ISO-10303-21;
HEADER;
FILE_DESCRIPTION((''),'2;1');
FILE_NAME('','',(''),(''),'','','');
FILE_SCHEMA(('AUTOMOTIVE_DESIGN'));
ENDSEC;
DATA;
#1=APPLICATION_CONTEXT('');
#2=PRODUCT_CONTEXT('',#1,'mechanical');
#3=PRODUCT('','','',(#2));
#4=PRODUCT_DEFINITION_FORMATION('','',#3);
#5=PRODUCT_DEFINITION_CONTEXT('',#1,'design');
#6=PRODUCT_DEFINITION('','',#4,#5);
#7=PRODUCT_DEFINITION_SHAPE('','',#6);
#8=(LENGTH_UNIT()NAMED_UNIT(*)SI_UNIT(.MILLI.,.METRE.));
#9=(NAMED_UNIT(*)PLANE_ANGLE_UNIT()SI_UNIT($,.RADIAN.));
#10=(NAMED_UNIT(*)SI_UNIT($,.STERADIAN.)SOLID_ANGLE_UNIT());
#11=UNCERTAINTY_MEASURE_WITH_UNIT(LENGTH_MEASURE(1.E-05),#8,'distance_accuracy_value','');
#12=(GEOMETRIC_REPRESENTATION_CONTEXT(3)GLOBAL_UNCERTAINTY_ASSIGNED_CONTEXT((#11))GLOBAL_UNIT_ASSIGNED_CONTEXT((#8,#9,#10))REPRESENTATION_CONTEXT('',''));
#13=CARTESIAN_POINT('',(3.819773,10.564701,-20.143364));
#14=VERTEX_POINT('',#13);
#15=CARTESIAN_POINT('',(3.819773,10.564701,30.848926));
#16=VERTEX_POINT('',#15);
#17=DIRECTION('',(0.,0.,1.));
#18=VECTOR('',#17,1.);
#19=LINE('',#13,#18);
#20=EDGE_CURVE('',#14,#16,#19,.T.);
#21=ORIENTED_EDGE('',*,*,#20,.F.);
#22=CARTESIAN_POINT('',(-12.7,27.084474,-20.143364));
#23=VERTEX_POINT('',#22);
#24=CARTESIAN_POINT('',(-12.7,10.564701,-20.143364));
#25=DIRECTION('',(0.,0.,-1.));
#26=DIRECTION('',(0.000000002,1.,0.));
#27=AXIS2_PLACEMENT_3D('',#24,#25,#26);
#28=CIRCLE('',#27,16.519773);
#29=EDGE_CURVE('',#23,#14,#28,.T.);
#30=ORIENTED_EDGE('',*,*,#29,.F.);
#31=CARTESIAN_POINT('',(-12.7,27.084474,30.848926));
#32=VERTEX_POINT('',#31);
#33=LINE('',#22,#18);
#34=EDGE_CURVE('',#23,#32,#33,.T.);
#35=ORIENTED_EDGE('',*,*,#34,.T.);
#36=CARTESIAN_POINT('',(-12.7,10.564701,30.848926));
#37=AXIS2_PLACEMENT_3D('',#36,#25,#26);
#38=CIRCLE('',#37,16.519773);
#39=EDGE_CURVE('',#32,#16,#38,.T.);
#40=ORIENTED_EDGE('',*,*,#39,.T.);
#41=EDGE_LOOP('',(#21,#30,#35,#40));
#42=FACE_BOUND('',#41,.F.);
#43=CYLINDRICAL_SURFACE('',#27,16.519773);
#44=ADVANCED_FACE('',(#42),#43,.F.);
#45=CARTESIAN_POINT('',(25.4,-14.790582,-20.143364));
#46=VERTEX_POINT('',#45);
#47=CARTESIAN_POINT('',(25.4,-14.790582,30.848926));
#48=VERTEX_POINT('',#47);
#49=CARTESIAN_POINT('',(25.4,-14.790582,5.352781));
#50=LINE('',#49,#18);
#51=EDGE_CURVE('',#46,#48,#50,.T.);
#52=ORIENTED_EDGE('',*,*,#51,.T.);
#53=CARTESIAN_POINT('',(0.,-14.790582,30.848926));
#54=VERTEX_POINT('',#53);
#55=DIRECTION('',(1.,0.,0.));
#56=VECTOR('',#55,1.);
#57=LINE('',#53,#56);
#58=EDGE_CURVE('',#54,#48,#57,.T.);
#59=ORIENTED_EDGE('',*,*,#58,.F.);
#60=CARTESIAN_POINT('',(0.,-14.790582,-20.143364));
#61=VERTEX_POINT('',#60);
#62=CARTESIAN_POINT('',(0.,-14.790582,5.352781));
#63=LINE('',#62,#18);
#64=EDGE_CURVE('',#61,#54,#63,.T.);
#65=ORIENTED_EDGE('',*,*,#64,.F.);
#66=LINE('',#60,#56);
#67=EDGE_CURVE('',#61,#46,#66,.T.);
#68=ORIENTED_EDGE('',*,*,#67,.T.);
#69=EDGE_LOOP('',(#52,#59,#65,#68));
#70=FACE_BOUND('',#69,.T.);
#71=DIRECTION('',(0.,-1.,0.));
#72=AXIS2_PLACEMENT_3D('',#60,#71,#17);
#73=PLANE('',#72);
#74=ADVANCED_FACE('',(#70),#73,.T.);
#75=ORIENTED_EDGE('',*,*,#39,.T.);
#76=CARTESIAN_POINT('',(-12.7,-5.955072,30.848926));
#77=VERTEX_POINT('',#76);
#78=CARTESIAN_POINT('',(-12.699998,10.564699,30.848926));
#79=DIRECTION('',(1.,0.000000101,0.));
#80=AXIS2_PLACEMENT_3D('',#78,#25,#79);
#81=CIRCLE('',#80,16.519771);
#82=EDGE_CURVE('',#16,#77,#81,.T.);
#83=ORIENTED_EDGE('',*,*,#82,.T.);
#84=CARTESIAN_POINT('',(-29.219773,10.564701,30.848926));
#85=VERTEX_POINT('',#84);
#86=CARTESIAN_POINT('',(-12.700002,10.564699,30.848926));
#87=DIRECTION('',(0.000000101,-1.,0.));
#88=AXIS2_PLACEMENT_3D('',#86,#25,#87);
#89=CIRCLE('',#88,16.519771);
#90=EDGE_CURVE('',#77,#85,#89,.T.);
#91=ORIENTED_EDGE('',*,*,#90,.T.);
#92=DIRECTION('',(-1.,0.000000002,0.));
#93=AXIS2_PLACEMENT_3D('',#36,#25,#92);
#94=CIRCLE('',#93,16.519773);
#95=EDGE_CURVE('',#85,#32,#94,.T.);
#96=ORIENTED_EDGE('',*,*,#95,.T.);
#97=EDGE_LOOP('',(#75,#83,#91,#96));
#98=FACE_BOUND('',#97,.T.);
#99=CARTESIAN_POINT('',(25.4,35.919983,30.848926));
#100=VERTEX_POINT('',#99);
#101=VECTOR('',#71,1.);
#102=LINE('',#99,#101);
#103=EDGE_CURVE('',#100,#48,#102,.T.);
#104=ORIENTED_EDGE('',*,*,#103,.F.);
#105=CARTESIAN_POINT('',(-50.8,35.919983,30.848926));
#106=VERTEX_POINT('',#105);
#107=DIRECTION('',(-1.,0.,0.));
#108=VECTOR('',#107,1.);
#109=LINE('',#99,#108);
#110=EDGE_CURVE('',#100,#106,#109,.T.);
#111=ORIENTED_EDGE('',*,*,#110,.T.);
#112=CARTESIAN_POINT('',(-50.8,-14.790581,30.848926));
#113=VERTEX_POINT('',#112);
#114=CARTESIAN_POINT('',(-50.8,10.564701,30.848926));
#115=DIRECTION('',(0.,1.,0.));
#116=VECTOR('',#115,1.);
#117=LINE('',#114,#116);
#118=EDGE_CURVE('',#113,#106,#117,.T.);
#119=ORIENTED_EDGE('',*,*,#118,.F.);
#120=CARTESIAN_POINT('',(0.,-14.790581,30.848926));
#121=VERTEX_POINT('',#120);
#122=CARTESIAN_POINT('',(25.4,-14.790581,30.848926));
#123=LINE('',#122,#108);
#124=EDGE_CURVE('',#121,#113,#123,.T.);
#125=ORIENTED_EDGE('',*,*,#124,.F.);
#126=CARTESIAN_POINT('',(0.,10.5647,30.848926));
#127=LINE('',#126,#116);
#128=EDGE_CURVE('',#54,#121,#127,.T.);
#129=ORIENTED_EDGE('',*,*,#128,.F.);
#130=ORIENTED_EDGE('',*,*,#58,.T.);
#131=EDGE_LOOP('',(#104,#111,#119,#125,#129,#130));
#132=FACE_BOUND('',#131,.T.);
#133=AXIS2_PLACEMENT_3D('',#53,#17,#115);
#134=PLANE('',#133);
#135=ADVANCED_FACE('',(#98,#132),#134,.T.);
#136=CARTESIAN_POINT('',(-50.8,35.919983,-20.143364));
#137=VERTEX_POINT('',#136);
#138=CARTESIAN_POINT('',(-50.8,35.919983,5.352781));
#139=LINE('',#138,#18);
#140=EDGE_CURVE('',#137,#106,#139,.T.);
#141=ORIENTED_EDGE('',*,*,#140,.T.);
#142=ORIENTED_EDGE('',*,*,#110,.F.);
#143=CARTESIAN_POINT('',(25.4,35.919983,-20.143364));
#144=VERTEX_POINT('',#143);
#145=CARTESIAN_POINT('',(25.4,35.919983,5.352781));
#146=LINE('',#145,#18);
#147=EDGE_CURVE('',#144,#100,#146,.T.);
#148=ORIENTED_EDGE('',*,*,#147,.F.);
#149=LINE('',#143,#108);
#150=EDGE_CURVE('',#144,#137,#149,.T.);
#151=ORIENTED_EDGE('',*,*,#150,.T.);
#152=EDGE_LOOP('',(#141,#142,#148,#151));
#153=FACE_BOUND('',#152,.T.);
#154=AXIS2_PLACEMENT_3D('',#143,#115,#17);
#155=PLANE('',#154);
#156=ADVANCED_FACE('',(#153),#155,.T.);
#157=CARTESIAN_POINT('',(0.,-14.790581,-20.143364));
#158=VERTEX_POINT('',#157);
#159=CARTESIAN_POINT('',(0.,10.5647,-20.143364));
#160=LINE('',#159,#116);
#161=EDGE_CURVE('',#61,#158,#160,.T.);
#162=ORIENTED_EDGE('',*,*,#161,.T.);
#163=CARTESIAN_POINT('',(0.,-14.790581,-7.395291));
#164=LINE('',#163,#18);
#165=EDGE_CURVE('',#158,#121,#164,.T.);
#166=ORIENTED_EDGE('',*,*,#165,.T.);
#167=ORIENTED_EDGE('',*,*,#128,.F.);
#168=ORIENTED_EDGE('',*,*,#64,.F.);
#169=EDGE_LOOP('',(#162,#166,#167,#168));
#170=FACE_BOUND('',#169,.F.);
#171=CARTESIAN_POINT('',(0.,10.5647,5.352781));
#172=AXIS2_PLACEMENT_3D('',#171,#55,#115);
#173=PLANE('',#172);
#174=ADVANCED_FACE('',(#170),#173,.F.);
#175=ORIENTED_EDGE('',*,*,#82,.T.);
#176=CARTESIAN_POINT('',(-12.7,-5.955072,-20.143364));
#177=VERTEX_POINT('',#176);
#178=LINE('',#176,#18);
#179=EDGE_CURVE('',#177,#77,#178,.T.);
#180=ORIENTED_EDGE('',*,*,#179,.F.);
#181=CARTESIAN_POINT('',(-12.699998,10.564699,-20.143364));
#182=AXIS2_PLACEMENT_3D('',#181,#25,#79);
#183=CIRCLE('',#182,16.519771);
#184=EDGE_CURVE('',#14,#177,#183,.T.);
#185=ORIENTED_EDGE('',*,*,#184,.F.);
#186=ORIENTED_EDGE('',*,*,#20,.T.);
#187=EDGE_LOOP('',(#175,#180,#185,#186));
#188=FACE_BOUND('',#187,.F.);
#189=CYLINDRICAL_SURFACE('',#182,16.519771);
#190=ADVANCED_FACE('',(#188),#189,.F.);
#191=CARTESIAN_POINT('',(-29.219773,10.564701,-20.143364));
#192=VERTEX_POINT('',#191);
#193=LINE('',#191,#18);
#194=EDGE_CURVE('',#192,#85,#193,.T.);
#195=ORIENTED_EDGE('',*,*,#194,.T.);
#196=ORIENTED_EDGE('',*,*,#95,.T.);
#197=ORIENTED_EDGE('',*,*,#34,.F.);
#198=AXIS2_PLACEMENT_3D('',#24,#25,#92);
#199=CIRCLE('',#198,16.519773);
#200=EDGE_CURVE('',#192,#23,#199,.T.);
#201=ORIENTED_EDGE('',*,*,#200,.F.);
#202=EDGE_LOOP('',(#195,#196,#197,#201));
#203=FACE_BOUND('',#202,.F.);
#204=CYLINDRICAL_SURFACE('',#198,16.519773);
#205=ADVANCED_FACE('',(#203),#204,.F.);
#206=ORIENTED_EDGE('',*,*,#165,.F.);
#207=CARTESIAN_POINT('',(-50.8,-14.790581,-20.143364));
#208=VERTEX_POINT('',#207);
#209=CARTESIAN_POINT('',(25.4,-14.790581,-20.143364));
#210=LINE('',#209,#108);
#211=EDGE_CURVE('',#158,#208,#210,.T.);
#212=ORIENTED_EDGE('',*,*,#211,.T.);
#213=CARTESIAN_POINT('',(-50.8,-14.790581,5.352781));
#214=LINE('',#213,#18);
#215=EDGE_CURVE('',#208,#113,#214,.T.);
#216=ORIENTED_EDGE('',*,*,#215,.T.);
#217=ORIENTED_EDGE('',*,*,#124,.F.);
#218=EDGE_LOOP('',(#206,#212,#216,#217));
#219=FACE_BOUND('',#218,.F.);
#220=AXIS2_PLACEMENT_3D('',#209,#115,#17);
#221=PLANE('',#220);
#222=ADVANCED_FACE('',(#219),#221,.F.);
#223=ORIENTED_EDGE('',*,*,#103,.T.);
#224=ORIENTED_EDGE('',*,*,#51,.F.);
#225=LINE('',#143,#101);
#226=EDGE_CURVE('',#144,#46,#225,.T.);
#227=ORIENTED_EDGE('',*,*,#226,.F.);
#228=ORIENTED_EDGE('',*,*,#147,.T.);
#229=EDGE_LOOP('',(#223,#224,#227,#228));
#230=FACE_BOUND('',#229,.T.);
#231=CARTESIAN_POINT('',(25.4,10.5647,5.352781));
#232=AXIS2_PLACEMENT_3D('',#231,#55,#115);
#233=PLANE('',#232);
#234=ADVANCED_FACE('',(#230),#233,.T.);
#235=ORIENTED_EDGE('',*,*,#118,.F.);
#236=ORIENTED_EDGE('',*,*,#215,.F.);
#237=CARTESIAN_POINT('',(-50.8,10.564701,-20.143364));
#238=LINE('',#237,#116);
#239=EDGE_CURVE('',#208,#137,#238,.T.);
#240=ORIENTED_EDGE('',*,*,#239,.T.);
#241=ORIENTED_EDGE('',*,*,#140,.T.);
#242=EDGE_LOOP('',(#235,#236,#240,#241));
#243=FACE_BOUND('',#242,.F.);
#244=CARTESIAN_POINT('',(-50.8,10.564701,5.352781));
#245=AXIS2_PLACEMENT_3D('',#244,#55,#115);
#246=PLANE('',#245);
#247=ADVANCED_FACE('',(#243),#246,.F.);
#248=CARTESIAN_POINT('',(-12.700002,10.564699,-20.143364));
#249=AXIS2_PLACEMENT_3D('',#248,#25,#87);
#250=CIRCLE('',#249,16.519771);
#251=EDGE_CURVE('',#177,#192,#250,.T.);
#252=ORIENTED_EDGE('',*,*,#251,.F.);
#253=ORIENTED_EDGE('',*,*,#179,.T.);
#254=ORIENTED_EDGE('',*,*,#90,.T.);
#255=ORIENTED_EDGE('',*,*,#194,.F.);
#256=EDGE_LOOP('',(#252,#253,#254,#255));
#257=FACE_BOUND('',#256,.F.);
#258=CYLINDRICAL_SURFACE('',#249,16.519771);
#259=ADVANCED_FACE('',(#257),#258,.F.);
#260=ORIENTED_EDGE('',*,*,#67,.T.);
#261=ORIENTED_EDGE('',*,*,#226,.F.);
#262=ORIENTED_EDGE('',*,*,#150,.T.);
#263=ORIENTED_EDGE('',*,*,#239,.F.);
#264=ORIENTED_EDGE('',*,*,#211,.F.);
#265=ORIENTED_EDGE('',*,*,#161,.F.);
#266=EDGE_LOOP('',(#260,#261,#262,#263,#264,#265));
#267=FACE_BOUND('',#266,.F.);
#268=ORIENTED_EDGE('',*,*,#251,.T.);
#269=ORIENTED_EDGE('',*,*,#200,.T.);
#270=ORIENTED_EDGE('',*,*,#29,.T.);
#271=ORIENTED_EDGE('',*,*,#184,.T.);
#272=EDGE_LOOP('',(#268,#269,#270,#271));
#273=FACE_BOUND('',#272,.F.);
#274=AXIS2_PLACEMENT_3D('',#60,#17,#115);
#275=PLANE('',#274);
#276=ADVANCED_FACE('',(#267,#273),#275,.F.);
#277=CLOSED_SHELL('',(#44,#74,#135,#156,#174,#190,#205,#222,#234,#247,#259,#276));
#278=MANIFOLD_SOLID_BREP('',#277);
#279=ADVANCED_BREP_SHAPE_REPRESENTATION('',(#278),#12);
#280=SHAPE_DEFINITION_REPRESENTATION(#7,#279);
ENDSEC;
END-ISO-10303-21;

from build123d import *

# Parameters (mm, degrees)
F0_W      = 50.710565
F0_H      = 50.99229
F1_DEPTH  = 25.4
F1_FACE_W = 50.710564
F1_FACE_H = 50.99229
F2_DEPTH  = 76.2
F4_DEPTH  = 76.2


with BuildPart() as f1:
    # F0 (on Right) → F1 (new body)
    with BuildSketch(Plane.YZ):
        with Locations((10.5647, 5.352781)):
            Rectangle(F0_W, F0_H)
    extrude(amount=F1_DEPTH)

    # F1_face (on face) → F2 (join)
    with BuildSketch(Plane(origin=(25.4, 10.564701, 5.352781), x_dir=(0, 1, 0), z_dir=(1, 0, 0))):
        Rectangle(F1_FACE_W, F1_FACE_H)
    extrude(amount=-F2_DEPTH)

    # F3 (on face) → F4 (cut)
    with BuildSketch(Plane(origin=(0, 0, -20.143364), x_dir=(1, 0, 0), z_dir=(0, 0, -1))):
        with BuildLine():
            ThreePointArc((3.819773, -10.564701), (-1.018756, 1.116543), (-12.7, 5.955072))
            Line((-12.7, 5.955072), (-12.7, -10.564701))
            Line((-12.7, -10.564701), (3.819773, -10.564701))
        make_face()
        with BuildLine():
            Line((-12.7, -10.564701), (-12.7, 5.955072))
            ThreePointArc((-12.7, 5.955072), (-24.381244, 1.116543), (-29.219773, -10.564701))
            Line((-29.219773, -10.564701), (-12.7, -10.564701))
        make_face()
        with BuildLine():
            Line((3.819773, -10.564701), (-12.7, -10.564701))
            Line((-12.7, -10.564701), (-12.7, -27.084474))
            ThreePointArc((-12.7, -27.084474), (-1.018756, -22.245944), (3.819773, -10.564701))
        make_face()
        with BuildLine():
            Line((-12.7, -27.084474), (-12.7, -10.564701))
            Line((-12.7, -10.564701), (-29.219773, -10.564701))
            ThreePointArc((-29.219773, -10.564701), (-24.381244, -22.245944), (-12.7, -27.084474))
        make_face()
    extrude(amount=-F4_DEPTH, mode=Mode.SUBTRACT)


solid = f1.part
